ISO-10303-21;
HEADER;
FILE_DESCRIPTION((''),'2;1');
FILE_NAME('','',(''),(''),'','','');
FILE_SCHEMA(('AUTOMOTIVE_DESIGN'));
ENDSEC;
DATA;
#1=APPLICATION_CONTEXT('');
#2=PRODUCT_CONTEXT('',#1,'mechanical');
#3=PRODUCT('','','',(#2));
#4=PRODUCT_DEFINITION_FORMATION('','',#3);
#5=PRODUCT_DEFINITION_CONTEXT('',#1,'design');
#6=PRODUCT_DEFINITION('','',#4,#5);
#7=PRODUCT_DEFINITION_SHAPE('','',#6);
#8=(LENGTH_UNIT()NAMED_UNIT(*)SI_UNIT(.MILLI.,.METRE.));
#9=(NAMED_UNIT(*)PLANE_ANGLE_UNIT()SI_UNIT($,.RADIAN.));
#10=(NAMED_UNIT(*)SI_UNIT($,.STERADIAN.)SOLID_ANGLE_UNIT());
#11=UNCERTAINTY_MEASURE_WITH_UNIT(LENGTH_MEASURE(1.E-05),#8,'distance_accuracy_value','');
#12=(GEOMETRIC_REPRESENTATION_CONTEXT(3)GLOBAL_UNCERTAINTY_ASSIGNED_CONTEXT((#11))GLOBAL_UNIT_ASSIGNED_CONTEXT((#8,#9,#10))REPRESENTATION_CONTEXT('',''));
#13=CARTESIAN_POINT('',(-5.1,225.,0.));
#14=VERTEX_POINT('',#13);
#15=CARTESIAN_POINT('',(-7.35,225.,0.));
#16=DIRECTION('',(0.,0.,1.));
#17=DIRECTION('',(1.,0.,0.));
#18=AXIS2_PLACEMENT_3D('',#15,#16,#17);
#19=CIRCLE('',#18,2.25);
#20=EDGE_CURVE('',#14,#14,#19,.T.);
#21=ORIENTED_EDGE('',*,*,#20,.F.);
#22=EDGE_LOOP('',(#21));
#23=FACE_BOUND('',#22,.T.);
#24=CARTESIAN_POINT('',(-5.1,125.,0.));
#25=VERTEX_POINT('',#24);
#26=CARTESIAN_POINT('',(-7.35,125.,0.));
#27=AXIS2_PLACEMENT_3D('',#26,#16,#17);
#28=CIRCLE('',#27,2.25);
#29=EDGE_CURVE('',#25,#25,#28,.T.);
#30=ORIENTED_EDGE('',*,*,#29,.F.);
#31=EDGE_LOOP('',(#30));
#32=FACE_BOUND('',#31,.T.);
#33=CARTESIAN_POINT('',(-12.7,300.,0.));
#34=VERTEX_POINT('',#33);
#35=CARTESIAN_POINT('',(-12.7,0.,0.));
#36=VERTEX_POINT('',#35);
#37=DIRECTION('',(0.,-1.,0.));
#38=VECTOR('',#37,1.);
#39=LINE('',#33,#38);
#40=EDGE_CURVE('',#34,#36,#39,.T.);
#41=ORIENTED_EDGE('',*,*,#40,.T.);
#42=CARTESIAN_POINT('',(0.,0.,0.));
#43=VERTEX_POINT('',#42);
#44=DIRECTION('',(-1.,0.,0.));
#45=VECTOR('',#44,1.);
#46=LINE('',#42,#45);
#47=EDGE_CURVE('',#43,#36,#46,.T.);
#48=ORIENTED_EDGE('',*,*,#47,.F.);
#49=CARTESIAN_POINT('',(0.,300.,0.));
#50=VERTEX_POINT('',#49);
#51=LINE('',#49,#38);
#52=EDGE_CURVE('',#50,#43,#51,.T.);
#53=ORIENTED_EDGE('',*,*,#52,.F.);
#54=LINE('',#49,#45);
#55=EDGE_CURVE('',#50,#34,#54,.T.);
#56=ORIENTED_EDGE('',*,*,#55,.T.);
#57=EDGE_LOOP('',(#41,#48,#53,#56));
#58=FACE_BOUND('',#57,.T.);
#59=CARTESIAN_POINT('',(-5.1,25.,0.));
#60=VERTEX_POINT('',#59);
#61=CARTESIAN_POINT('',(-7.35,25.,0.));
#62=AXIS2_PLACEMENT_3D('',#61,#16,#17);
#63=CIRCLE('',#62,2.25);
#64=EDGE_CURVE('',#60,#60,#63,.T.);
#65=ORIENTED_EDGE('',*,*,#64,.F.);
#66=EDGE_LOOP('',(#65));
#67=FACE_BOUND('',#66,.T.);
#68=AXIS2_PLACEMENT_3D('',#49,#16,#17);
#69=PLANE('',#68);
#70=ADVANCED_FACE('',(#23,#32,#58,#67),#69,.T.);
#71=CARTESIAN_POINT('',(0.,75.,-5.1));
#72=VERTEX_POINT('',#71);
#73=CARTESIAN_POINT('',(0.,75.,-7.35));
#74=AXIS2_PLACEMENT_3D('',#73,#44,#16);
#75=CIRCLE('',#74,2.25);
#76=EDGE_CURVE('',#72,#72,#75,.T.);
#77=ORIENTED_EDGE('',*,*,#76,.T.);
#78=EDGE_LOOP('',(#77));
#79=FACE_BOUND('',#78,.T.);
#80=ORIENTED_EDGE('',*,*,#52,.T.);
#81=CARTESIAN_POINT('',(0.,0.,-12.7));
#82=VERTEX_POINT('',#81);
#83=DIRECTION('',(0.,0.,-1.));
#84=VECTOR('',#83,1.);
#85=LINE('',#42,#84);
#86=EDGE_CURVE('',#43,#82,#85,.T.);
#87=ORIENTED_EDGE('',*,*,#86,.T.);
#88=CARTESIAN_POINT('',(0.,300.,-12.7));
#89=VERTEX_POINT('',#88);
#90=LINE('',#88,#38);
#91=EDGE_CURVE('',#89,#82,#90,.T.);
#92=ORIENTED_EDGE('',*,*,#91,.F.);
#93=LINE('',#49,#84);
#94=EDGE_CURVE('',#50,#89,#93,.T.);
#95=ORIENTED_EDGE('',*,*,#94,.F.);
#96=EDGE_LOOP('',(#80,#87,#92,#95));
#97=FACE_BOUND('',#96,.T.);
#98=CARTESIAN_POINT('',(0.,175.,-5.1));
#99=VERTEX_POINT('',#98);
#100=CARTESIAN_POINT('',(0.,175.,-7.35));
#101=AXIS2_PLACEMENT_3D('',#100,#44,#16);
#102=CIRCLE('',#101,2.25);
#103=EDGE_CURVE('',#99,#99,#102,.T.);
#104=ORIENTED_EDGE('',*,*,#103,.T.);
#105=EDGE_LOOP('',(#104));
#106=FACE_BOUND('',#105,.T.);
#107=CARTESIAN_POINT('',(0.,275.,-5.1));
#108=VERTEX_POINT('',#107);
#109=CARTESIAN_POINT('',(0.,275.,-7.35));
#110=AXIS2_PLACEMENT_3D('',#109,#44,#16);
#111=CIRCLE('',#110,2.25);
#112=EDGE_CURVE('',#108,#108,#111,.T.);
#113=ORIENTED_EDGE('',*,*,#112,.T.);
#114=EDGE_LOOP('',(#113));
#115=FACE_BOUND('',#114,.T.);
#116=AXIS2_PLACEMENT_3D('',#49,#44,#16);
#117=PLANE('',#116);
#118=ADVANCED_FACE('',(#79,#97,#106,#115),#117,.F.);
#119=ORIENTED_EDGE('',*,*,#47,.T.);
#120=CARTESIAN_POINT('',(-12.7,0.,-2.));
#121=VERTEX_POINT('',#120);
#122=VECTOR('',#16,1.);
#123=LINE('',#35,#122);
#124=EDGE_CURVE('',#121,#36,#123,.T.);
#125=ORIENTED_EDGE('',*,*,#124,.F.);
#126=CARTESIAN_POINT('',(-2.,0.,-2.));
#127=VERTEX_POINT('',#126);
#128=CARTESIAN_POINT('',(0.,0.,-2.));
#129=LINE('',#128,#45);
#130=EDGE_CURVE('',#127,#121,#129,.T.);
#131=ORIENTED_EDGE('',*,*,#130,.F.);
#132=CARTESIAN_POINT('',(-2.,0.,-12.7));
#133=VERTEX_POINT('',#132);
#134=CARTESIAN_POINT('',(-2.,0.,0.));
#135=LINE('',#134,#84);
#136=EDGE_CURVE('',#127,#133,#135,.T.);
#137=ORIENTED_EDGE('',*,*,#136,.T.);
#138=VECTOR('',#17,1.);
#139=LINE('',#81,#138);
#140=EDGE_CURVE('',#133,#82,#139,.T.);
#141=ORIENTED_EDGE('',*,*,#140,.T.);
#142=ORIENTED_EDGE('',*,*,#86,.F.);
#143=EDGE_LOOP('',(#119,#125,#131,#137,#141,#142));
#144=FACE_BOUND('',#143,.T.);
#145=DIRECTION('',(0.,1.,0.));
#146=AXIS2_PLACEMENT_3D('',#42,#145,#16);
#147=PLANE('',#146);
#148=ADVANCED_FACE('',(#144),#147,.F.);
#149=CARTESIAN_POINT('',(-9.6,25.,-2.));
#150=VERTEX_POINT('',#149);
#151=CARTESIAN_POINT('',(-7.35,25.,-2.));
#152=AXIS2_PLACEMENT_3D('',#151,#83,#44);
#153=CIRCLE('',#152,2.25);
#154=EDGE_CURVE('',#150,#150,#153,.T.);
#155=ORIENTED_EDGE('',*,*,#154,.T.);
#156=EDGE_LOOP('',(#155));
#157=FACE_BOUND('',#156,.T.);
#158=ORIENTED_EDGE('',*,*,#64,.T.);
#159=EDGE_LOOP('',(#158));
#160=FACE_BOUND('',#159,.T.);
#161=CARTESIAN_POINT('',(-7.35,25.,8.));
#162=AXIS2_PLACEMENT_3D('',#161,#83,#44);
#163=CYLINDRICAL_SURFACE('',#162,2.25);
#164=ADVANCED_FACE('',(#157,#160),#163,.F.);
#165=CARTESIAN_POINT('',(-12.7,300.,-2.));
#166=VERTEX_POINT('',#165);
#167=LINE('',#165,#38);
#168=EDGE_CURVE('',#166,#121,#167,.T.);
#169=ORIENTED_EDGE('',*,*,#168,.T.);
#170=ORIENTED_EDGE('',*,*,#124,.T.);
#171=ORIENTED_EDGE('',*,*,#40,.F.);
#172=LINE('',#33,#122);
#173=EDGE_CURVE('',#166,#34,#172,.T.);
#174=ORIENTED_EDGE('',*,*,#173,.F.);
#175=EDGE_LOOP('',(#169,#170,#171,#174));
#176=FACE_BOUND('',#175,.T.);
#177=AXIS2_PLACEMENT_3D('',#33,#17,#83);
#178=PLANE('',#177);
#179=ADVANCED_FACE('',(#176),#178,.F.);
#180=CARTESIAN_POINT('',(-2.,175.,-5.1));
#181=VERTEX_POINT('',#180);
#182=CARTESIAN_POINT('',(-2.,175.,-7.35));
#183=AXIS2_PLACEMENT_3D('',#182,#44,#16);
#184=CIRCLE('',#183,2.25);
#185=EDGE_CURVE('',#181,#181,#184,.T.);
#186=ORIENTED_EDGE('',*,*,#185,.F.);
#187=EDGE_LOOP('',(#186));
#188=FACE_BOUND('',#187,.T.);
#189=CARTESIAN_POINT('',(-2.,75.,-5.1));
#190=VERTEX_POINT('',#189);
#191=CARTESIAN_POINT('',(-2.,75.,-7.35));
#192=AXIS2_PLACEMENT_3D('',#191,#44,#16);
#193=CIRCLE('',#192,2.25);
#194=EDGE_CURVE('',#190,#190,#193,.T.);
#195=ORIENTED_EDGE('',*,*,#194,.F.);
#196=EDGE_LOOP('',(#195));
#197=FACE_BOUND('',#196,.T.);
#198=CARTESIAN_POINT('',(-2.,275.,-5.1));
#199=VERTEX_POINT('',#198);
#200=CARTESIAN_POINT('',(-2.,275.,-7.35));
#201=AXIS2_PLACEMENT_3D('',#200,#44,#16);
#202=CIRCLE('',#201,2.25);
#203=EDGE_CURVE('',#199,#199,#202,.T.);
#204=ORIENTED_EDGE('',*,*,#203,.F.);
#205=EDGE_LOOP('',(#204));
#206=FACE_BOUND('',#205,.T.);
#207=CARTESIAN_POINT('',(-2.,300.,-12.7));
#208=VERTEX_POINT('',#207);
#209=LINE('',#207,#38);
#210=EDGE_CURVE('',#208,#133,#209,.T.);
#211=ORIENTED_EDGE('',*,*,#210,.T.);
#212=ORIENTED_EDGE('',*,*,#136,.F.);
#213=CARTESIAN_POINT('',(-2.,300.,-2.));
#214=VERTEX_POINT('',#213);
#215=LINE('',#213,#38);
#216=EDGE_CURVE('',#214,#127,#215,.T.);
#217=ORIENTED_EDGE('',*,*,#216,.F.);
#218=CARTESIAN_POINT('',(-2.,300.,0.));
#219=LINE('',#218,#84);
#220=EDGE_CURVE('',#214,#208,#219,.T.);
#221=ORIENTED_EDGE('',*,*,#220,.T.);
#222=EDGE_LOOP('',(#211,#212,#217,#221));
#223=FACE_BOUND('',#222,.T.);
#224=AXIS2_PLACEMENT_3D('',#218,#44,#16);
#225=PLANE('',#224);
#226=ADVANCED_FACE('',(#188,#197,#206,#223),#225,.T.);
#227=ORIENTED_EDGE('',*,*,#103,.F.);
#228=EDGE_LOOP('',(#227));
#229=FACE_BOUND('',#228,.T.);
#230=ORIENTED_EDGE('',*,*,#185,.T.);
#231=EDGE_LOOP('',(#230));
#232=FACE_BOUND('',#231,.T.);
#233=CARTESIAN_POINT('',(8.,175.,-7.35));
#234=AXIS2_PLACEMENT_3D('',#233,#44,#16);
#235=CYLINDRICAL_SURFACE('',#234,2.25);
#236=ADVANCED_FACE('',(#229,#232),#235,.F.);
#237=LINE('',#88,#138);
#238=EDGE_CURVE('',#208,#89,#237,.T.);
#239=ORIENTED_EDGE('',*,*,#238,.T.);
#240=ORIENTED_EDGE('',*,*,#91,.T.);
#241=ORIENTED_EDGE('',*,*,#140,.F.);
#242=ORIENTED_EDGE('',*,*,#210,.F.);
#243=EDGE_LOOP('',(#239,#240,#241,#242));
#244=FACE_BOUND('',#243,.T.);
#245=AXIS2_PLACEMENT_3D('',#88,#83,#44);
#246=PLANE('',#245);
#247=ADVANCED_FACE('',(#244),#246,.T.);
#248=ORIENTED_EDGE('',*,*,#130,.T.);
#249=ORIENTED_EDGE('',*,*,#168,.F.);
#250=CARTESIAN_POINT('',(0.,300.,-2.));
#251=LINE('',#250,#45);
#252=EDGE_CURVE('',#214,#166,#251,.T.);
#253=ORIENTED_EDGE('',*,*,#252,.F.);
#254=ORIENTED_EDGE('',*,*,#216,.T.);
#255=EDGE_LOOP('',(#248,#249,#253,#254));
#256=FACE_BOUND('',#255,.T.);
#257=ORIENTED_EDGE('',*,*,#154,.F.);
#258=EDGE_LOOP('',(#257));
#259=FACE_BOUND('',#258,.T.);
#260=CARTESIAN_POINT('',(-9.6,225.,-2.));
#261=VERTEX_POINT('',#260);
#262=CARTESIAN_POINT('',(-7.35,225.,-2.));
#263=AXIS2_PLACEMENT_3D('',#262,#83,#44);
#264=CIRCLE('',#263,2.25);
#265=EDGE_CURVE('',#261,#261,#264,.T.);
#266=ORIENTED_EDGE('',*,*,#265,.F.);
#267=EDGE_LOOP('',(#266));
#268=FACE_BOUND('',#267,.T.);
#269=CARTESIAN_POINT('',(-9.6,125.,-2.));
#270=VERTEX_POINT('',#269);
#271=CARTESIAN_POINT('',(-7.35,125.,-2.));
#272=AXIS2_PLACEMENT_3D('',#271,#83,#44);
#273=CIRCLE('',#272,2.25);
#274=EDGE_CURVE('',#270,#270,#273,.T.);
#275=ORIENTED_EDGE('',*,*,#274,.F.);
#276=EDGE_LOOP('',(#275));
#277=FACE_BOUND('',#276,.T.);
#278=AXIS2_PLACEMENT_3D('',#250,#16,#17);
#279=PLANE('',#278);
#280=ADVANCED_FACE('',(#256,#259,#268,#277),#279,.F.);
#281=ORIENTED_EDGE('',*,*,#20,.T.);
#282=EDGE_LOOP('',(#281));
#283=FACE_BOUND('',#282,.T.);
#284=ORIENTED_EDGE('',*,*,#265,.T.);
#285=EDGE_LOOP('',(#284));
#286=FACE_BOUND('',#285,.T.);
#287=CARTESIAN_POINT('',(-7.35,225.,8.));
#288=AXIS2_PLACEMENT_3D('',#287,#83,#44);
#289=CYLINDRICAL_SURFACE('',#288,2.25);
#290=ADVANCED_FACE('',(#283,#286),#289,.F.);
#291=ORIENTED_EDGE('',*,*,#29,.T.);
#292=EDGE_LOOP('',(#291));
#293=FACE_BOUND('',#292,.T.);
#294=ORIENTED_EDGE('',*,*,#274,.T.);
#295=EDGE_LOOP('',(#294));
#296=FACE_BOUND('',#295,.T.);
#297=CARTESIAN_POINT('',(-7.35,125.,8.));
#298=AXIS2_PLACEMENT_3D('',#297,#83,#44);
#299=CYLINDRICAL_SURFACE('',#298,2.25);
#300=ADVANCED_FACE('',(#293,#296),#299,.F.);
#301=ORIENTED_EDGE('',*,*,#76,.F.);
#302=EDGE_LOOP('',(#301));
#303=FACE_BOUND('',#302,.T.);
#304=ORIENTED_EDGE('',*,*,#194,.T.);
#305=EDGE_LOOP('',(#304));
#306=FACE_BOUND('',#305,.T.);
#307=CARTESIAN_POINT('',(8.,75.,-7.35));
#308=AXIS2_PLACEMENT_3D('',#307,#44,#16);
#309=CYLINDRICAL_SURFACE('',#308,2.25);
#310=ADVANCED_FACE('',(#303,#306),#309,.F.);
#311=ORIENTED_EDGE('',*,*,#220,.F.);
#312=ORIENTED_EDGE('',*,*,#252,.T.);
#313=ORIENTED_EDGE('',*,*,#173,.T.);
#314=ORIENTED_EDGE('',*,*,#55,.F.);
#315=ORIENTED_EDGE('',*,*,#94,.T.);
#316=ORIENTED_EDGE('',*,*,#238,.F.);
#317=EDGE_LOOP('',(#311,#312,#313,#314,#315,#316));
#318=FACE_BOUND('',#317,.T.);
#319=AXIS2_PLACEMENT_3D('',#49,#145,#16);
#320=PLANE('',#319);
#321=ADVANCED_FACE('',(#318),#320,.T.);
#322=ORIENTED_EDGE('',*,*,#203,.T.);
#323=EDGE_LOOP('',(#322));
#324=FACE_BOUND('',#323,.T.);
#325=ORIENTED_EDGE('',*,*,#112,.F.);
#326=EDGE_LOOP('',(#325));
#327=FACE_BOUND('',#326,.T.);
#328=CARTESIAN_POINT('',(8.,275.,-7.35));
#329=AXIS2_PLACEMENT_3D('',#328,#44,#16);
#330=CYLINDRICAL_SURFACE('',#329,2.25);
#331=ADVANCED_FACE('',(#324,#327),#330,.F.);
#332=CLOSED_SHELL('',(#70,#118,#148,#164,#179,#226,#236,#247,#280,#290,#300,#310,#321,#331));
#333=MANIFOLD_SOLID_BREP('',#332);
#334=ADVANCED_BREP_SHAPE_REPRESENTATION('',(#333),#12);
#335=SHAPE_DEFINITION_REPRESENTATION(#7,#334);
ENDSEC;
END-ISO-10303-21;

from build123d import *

# Parameters (mm, degrees)
BOSS_EXTRUDE1_DEPTH = 300
SKETCH2_R           = 2.25
CUT_EXTRUDE1_DEPTH  = 10
SKETCH3_R           = 2.25
CUT_EXTRUDE2_DEPTH  = 10


with BuildPart() as part:
    # Sketch1 → Boss-Extrude1 (new body)
    with BuildSketch(Plane(origin=(0, 0, 0), x_dir=(1, 0, 0), z_dir=(0, 1, 0))):
        Polygon((-12.7, 0), (0, 0), (0, 12.7), (-2, 12.7), (-2, 2), (-12.7, 2), align=None)
    extrude(amount=BOSS_EXTRUDE1_DEPTH)

    # Sketch2 → Cut-Extrude1 (cut)
    with BuildSketch(Plane.ZY.offset(2)):
        with Locations((-7.35, 275)):
            Circle(SKETCH2_R)
        with Locations((-7.35, 175)):
            Circle(SKETCH2_R)
        with Locations((-7.35, 75)):
            Circle(SKETCH2_R)
    extrude(amount=-CUT_EXTRUDE1_DEPTH, mode=Mode.SUBTRACT)

    # Sketch3 → Cut-Extrude2 (cut)
    with BuildSketch(Plane(origin=(0, 0, -2), x_dir=(-1, 0, 0), z_dir=(0, 0, -1))):
        with Locations((7.35, 225)):
            Circle(SKETCH3_R)
        with Locations((7.35, 125)):
            Circle(SKETCH3_R)
        with Locations((7.35, 25)):
            Circle(SKETCH3_R)
    extrude(amount=-CUT_EXTRUDE2_DEPTH, mode=Mode.SUBTRACT)


solid = part.part
